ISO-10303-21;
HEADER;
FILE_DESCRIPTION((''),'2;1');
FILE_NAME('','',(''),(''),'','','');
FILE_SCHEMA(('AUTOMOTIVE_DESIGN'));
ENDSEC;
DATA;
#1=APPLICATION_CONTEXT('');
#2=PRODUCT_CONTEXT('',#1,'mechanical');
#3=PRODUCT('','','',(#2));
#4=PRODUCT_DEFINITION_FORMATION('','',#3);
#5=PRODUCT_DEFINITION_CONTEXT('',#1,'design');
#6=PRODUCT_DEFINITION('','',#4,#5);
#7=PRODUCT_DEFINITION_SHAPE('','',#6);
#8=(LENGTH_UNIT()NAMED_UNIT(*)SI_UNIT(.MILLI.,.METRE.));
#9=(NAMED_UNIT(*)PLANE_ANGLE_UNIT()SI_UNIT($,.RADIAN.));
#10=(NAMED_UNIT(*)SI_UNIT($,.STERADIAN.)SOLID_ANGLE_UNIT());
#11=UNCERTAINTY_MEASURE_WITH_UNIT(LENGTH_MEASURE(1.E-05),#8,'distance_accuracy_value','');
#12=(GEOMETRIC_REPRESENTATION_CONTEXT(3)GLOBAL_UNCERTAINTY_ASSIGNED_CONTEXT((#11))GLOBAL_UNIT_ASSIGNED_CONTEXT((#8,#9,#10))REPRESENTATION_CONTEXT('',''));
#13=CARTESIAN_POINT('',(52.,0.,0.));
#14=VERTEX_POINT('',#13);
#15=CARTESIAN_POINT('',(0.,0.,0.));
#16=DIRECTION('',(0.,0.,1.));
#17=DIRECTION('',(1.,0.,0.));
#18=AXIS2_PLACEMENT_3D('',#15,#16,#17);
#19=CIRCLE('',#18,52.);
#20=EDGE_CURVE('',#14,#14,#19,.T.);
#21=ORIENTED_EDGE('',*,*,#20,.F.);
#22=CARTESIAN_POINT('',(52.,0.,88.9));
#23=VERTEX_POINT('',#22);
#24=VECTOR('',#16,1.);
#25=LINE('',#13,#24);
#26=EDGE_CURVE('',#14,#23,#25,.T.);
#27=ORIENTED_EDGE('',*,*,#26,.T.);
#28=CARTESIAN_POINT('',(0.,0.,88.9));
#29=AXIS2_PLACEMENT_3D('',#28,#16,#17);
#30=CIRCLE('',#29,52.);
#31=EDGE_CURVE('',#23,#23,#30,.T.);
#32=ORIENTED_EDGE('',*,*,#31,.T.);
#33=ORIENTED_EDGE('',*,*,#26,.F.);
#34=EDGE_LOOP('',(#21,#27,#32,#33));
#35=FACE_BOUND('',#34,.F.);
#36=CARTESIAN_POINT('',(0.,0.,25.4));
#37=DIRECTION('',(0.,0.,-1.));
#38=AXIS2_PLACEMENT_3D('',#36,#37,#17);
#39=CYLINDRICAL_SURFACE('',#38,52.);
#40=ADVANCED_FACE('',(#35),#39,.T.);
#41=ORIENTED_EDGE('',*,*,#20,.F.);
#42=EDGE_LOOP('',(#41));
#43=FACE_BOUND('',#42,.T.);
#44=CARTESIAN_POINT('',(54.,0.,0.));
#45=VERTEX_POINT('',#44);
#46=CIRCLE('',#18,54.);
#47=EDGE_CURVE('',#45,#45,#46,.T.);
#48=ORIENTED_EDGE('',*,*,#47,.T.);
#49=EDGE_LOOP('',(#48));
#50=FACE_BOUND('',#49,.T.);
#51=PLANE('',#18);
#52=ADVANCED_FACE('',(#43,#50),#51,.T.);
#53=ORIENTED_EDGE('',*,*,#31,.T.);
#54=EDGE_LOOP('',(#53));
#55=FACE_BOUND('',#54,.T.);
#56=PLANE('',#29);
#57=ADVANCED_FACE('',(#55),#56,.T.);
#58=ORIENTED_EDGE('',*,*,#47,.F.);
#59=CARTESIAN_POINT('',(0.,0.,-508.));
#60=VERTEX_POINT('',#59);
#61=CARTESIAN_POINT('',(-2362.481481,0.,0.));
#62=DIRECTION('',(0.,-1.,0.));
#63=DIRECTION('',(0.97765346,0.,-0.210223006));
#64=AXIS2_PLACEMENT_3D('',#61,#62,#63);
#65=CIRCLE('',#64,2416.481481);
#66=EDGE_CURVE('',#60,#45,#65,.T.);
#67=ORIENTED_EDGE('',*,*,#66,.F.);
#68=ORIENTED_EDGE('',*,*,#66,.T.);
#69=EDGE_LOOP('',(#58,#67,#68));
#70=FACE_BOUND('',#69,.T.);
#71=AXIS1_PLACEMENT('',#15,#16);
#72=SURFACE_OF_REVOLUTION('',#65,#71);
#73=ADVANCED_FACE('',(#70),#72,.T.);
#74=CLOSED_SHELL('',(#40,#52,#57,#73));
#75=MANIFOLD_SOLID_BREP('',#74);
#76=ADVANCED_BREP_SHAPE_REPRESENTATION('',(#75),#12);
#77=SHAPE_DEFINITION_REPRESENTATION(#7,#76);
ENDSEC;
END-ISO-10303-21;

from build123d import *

# Parameters (mm, degrees)
F3_R     = 52
F4_DEPTH = 25.4
F5_DEPTH = 63.5


with BuildPart() as f2:
    # F0 (on Front) → F2 (revolve)
    with BuildSketch(Plane.XZ):
        with BuildLine():
            Line((54, 0), (0, 0))
            Line((0, 0), (0, -508))
            ThreePointArc((0, -508), (40.4620780602, -255.4310082977), (54, 0))
        make_face()
    revolve(axis=Axis((0, 0, 0), (0, 0, 1)))

    # F3 (on face) → F4 (join)
    with BuildSketch(Plane.XY):
        Circle(F3_R)
    extrude(amount=F4_DEPTH)

    # F5 (add): a face of the model
    f5_faces = [f2.faces().sort_by_distance(p)[0] for p in [
        (0, 0, 25.4),
    ]]
    extrude(f5_faces, amount=F5_DEPTH)


solid = f2.part
